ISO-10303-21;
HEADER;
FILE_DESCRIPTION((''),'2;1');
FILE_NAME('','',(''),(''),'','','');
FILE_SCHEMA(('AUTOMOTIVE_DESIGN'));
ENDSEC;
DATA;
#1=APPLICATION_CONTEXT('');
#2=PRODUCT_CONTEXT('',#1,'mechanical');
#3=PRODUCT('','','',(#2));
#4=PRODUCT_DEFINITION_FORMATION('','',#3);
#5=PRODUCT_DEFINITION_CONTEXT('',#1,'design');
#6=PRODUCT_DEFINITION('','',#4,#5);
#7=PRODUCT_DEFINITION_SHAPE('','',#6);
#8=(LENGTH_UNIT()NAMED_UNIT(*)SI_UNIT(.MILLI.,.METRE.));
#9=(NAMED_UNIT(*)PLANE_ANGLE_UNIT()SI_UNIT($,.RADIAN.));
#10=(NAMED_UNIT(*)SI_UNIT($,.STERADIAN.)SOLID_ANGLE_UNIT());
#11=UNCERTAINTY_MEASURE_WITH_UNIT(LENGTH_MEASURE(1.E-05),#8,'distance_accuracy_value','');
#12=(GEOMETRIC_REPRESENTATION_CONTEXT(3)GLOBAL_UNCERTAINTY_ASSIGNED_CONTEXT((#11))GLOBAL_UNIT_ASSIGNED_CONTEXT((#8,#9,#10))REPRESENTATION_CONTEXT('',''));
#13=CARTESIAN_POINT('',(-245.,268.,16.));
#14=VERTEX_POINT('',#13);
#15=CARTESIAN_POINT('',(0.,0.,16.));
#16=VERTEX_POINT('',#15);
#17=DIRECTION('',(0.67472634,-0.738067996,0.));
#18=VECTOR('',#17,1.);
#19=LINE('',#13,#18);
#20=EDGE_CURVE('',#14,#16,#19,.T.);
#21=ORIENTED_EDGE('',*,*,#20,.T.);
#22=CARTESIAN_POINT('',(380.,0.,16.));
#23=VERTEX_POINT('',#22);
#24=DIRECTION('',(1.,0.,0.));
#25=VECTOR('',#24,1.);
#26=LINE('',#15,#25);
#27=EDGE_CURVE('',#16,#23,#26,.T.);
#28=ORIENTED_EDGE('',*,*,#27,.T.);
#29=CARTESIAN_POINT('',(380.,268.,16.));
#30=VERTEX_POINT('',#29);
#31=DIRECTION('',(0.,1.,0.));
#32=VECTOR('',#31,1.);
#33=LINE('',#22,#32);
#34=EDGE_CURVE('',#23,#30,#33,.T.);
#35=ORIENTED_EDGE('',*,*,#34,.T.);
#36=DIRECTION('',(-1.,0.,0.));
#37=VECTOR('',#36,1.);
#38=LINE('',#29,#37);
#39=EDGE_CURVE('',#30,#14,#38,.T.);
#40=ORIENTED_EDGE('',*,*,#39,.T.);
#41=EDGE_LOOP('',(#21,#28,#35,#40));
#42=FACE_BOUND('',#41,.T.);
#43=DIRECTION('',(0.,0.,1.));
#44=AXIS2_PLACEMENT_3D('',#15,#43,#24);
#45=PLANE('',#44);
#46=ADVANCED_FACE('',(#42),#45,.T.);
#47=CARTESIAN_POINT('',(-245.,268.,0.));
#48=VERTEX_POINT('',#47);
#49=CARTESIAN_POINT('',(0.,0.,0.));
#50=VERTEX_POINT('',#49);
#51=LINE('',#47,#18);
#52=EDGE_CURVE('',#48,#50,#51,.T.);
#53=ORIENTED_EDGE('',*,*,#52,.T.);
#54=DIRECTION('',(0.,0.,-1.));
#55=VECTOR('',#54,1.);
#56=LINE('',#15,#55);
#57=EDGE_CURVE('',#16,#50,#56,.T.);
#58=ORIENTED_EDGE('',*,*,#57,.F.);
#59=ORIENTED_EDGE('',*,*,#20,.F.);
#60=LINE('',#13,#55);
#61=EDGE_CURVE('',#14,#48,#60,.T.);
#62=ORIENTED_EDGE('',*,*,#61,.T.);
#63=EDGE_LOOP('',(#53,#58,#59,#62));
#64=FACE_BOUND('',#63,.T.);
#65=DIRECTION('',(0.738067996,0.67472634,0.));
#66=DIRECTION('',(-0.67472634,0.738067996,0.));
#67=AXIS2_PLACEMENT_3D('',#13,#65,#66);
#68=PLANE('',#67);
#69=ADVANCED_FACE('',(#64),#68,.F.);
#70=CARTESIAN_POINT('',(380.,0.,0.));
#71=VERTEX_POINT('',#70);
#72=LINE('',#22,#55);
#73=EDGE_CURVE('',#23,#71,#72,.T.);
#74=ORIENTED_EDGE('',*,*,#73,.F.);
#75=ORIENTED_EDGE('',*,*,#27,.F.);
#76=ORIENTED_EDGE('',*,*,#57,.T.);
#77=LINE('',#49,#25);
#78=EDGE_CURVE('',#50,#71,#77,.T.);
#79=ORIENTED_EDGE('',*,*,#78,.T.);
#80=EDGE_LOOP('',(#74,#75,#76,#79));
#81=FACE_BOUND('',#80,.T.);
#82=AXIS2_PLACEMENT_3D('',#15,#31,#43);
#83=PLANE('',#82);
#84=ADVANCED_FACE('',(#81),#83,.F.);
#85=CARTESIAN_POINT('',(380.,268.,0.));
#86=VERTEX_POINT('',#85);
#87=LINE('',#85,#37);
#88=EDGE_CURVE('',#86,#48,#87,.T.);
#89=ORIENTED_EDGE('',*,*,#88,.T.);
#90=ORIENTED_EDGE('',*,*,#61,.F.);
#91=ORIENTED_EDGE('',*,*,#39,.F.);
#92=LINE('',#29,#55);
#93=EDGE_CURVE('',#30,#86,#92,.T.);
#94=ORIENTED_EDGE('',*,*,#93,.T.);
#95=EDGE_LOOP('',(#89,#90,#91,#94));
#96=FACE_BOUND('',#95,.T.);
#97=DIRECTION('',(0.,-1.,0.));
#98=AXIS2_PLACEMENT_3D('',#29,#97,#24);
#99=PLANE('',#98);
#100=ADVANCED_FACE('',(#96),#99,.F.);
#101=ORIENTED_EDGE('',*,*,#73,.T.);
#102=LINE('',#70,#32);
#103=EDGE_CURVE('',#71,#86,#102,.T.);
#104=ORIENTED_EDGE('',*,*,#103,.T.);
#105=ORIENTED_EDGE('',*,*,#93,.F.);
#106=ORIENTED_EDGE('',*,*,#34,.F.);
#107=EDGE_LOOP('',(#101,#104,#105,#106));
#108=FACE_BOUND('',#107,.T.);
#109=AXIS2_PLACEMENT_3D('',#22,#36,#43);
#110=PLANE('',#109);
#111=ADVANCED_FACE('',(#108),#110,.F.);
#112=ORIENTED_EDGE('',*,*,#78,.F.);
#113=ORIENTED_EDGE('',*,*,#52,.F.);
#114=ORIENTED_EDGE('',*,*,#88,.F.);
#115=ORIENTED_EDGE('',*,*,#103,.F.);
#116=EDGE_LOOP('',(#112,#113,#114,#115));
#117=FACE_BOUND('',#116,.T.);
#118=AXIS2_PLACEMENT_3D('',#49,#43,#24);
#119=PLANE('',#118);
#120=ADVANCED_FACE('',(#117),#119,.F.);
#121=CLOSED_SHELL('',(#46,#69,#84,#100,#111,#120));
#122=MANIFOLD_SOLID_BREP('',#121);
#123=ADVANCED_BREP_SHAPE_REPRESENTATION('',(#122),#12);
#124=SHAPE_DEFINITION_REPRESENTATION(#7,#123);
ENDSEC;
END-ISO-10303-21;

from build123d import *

# Parameters (mm, degrees)
EXTRUDE_1_DEPTH = 16


with BuildPart() as part:
    # 草图1 → 凸台-拉伸1 (new body)
    with BuildSketch(Plane.XY):
        Polygon((0, 0), (380, 0), (380, 268), (-245, 268), align=None)
    extrude(amount=EXTRUDE_1_DEPTH)


solid = part.part
